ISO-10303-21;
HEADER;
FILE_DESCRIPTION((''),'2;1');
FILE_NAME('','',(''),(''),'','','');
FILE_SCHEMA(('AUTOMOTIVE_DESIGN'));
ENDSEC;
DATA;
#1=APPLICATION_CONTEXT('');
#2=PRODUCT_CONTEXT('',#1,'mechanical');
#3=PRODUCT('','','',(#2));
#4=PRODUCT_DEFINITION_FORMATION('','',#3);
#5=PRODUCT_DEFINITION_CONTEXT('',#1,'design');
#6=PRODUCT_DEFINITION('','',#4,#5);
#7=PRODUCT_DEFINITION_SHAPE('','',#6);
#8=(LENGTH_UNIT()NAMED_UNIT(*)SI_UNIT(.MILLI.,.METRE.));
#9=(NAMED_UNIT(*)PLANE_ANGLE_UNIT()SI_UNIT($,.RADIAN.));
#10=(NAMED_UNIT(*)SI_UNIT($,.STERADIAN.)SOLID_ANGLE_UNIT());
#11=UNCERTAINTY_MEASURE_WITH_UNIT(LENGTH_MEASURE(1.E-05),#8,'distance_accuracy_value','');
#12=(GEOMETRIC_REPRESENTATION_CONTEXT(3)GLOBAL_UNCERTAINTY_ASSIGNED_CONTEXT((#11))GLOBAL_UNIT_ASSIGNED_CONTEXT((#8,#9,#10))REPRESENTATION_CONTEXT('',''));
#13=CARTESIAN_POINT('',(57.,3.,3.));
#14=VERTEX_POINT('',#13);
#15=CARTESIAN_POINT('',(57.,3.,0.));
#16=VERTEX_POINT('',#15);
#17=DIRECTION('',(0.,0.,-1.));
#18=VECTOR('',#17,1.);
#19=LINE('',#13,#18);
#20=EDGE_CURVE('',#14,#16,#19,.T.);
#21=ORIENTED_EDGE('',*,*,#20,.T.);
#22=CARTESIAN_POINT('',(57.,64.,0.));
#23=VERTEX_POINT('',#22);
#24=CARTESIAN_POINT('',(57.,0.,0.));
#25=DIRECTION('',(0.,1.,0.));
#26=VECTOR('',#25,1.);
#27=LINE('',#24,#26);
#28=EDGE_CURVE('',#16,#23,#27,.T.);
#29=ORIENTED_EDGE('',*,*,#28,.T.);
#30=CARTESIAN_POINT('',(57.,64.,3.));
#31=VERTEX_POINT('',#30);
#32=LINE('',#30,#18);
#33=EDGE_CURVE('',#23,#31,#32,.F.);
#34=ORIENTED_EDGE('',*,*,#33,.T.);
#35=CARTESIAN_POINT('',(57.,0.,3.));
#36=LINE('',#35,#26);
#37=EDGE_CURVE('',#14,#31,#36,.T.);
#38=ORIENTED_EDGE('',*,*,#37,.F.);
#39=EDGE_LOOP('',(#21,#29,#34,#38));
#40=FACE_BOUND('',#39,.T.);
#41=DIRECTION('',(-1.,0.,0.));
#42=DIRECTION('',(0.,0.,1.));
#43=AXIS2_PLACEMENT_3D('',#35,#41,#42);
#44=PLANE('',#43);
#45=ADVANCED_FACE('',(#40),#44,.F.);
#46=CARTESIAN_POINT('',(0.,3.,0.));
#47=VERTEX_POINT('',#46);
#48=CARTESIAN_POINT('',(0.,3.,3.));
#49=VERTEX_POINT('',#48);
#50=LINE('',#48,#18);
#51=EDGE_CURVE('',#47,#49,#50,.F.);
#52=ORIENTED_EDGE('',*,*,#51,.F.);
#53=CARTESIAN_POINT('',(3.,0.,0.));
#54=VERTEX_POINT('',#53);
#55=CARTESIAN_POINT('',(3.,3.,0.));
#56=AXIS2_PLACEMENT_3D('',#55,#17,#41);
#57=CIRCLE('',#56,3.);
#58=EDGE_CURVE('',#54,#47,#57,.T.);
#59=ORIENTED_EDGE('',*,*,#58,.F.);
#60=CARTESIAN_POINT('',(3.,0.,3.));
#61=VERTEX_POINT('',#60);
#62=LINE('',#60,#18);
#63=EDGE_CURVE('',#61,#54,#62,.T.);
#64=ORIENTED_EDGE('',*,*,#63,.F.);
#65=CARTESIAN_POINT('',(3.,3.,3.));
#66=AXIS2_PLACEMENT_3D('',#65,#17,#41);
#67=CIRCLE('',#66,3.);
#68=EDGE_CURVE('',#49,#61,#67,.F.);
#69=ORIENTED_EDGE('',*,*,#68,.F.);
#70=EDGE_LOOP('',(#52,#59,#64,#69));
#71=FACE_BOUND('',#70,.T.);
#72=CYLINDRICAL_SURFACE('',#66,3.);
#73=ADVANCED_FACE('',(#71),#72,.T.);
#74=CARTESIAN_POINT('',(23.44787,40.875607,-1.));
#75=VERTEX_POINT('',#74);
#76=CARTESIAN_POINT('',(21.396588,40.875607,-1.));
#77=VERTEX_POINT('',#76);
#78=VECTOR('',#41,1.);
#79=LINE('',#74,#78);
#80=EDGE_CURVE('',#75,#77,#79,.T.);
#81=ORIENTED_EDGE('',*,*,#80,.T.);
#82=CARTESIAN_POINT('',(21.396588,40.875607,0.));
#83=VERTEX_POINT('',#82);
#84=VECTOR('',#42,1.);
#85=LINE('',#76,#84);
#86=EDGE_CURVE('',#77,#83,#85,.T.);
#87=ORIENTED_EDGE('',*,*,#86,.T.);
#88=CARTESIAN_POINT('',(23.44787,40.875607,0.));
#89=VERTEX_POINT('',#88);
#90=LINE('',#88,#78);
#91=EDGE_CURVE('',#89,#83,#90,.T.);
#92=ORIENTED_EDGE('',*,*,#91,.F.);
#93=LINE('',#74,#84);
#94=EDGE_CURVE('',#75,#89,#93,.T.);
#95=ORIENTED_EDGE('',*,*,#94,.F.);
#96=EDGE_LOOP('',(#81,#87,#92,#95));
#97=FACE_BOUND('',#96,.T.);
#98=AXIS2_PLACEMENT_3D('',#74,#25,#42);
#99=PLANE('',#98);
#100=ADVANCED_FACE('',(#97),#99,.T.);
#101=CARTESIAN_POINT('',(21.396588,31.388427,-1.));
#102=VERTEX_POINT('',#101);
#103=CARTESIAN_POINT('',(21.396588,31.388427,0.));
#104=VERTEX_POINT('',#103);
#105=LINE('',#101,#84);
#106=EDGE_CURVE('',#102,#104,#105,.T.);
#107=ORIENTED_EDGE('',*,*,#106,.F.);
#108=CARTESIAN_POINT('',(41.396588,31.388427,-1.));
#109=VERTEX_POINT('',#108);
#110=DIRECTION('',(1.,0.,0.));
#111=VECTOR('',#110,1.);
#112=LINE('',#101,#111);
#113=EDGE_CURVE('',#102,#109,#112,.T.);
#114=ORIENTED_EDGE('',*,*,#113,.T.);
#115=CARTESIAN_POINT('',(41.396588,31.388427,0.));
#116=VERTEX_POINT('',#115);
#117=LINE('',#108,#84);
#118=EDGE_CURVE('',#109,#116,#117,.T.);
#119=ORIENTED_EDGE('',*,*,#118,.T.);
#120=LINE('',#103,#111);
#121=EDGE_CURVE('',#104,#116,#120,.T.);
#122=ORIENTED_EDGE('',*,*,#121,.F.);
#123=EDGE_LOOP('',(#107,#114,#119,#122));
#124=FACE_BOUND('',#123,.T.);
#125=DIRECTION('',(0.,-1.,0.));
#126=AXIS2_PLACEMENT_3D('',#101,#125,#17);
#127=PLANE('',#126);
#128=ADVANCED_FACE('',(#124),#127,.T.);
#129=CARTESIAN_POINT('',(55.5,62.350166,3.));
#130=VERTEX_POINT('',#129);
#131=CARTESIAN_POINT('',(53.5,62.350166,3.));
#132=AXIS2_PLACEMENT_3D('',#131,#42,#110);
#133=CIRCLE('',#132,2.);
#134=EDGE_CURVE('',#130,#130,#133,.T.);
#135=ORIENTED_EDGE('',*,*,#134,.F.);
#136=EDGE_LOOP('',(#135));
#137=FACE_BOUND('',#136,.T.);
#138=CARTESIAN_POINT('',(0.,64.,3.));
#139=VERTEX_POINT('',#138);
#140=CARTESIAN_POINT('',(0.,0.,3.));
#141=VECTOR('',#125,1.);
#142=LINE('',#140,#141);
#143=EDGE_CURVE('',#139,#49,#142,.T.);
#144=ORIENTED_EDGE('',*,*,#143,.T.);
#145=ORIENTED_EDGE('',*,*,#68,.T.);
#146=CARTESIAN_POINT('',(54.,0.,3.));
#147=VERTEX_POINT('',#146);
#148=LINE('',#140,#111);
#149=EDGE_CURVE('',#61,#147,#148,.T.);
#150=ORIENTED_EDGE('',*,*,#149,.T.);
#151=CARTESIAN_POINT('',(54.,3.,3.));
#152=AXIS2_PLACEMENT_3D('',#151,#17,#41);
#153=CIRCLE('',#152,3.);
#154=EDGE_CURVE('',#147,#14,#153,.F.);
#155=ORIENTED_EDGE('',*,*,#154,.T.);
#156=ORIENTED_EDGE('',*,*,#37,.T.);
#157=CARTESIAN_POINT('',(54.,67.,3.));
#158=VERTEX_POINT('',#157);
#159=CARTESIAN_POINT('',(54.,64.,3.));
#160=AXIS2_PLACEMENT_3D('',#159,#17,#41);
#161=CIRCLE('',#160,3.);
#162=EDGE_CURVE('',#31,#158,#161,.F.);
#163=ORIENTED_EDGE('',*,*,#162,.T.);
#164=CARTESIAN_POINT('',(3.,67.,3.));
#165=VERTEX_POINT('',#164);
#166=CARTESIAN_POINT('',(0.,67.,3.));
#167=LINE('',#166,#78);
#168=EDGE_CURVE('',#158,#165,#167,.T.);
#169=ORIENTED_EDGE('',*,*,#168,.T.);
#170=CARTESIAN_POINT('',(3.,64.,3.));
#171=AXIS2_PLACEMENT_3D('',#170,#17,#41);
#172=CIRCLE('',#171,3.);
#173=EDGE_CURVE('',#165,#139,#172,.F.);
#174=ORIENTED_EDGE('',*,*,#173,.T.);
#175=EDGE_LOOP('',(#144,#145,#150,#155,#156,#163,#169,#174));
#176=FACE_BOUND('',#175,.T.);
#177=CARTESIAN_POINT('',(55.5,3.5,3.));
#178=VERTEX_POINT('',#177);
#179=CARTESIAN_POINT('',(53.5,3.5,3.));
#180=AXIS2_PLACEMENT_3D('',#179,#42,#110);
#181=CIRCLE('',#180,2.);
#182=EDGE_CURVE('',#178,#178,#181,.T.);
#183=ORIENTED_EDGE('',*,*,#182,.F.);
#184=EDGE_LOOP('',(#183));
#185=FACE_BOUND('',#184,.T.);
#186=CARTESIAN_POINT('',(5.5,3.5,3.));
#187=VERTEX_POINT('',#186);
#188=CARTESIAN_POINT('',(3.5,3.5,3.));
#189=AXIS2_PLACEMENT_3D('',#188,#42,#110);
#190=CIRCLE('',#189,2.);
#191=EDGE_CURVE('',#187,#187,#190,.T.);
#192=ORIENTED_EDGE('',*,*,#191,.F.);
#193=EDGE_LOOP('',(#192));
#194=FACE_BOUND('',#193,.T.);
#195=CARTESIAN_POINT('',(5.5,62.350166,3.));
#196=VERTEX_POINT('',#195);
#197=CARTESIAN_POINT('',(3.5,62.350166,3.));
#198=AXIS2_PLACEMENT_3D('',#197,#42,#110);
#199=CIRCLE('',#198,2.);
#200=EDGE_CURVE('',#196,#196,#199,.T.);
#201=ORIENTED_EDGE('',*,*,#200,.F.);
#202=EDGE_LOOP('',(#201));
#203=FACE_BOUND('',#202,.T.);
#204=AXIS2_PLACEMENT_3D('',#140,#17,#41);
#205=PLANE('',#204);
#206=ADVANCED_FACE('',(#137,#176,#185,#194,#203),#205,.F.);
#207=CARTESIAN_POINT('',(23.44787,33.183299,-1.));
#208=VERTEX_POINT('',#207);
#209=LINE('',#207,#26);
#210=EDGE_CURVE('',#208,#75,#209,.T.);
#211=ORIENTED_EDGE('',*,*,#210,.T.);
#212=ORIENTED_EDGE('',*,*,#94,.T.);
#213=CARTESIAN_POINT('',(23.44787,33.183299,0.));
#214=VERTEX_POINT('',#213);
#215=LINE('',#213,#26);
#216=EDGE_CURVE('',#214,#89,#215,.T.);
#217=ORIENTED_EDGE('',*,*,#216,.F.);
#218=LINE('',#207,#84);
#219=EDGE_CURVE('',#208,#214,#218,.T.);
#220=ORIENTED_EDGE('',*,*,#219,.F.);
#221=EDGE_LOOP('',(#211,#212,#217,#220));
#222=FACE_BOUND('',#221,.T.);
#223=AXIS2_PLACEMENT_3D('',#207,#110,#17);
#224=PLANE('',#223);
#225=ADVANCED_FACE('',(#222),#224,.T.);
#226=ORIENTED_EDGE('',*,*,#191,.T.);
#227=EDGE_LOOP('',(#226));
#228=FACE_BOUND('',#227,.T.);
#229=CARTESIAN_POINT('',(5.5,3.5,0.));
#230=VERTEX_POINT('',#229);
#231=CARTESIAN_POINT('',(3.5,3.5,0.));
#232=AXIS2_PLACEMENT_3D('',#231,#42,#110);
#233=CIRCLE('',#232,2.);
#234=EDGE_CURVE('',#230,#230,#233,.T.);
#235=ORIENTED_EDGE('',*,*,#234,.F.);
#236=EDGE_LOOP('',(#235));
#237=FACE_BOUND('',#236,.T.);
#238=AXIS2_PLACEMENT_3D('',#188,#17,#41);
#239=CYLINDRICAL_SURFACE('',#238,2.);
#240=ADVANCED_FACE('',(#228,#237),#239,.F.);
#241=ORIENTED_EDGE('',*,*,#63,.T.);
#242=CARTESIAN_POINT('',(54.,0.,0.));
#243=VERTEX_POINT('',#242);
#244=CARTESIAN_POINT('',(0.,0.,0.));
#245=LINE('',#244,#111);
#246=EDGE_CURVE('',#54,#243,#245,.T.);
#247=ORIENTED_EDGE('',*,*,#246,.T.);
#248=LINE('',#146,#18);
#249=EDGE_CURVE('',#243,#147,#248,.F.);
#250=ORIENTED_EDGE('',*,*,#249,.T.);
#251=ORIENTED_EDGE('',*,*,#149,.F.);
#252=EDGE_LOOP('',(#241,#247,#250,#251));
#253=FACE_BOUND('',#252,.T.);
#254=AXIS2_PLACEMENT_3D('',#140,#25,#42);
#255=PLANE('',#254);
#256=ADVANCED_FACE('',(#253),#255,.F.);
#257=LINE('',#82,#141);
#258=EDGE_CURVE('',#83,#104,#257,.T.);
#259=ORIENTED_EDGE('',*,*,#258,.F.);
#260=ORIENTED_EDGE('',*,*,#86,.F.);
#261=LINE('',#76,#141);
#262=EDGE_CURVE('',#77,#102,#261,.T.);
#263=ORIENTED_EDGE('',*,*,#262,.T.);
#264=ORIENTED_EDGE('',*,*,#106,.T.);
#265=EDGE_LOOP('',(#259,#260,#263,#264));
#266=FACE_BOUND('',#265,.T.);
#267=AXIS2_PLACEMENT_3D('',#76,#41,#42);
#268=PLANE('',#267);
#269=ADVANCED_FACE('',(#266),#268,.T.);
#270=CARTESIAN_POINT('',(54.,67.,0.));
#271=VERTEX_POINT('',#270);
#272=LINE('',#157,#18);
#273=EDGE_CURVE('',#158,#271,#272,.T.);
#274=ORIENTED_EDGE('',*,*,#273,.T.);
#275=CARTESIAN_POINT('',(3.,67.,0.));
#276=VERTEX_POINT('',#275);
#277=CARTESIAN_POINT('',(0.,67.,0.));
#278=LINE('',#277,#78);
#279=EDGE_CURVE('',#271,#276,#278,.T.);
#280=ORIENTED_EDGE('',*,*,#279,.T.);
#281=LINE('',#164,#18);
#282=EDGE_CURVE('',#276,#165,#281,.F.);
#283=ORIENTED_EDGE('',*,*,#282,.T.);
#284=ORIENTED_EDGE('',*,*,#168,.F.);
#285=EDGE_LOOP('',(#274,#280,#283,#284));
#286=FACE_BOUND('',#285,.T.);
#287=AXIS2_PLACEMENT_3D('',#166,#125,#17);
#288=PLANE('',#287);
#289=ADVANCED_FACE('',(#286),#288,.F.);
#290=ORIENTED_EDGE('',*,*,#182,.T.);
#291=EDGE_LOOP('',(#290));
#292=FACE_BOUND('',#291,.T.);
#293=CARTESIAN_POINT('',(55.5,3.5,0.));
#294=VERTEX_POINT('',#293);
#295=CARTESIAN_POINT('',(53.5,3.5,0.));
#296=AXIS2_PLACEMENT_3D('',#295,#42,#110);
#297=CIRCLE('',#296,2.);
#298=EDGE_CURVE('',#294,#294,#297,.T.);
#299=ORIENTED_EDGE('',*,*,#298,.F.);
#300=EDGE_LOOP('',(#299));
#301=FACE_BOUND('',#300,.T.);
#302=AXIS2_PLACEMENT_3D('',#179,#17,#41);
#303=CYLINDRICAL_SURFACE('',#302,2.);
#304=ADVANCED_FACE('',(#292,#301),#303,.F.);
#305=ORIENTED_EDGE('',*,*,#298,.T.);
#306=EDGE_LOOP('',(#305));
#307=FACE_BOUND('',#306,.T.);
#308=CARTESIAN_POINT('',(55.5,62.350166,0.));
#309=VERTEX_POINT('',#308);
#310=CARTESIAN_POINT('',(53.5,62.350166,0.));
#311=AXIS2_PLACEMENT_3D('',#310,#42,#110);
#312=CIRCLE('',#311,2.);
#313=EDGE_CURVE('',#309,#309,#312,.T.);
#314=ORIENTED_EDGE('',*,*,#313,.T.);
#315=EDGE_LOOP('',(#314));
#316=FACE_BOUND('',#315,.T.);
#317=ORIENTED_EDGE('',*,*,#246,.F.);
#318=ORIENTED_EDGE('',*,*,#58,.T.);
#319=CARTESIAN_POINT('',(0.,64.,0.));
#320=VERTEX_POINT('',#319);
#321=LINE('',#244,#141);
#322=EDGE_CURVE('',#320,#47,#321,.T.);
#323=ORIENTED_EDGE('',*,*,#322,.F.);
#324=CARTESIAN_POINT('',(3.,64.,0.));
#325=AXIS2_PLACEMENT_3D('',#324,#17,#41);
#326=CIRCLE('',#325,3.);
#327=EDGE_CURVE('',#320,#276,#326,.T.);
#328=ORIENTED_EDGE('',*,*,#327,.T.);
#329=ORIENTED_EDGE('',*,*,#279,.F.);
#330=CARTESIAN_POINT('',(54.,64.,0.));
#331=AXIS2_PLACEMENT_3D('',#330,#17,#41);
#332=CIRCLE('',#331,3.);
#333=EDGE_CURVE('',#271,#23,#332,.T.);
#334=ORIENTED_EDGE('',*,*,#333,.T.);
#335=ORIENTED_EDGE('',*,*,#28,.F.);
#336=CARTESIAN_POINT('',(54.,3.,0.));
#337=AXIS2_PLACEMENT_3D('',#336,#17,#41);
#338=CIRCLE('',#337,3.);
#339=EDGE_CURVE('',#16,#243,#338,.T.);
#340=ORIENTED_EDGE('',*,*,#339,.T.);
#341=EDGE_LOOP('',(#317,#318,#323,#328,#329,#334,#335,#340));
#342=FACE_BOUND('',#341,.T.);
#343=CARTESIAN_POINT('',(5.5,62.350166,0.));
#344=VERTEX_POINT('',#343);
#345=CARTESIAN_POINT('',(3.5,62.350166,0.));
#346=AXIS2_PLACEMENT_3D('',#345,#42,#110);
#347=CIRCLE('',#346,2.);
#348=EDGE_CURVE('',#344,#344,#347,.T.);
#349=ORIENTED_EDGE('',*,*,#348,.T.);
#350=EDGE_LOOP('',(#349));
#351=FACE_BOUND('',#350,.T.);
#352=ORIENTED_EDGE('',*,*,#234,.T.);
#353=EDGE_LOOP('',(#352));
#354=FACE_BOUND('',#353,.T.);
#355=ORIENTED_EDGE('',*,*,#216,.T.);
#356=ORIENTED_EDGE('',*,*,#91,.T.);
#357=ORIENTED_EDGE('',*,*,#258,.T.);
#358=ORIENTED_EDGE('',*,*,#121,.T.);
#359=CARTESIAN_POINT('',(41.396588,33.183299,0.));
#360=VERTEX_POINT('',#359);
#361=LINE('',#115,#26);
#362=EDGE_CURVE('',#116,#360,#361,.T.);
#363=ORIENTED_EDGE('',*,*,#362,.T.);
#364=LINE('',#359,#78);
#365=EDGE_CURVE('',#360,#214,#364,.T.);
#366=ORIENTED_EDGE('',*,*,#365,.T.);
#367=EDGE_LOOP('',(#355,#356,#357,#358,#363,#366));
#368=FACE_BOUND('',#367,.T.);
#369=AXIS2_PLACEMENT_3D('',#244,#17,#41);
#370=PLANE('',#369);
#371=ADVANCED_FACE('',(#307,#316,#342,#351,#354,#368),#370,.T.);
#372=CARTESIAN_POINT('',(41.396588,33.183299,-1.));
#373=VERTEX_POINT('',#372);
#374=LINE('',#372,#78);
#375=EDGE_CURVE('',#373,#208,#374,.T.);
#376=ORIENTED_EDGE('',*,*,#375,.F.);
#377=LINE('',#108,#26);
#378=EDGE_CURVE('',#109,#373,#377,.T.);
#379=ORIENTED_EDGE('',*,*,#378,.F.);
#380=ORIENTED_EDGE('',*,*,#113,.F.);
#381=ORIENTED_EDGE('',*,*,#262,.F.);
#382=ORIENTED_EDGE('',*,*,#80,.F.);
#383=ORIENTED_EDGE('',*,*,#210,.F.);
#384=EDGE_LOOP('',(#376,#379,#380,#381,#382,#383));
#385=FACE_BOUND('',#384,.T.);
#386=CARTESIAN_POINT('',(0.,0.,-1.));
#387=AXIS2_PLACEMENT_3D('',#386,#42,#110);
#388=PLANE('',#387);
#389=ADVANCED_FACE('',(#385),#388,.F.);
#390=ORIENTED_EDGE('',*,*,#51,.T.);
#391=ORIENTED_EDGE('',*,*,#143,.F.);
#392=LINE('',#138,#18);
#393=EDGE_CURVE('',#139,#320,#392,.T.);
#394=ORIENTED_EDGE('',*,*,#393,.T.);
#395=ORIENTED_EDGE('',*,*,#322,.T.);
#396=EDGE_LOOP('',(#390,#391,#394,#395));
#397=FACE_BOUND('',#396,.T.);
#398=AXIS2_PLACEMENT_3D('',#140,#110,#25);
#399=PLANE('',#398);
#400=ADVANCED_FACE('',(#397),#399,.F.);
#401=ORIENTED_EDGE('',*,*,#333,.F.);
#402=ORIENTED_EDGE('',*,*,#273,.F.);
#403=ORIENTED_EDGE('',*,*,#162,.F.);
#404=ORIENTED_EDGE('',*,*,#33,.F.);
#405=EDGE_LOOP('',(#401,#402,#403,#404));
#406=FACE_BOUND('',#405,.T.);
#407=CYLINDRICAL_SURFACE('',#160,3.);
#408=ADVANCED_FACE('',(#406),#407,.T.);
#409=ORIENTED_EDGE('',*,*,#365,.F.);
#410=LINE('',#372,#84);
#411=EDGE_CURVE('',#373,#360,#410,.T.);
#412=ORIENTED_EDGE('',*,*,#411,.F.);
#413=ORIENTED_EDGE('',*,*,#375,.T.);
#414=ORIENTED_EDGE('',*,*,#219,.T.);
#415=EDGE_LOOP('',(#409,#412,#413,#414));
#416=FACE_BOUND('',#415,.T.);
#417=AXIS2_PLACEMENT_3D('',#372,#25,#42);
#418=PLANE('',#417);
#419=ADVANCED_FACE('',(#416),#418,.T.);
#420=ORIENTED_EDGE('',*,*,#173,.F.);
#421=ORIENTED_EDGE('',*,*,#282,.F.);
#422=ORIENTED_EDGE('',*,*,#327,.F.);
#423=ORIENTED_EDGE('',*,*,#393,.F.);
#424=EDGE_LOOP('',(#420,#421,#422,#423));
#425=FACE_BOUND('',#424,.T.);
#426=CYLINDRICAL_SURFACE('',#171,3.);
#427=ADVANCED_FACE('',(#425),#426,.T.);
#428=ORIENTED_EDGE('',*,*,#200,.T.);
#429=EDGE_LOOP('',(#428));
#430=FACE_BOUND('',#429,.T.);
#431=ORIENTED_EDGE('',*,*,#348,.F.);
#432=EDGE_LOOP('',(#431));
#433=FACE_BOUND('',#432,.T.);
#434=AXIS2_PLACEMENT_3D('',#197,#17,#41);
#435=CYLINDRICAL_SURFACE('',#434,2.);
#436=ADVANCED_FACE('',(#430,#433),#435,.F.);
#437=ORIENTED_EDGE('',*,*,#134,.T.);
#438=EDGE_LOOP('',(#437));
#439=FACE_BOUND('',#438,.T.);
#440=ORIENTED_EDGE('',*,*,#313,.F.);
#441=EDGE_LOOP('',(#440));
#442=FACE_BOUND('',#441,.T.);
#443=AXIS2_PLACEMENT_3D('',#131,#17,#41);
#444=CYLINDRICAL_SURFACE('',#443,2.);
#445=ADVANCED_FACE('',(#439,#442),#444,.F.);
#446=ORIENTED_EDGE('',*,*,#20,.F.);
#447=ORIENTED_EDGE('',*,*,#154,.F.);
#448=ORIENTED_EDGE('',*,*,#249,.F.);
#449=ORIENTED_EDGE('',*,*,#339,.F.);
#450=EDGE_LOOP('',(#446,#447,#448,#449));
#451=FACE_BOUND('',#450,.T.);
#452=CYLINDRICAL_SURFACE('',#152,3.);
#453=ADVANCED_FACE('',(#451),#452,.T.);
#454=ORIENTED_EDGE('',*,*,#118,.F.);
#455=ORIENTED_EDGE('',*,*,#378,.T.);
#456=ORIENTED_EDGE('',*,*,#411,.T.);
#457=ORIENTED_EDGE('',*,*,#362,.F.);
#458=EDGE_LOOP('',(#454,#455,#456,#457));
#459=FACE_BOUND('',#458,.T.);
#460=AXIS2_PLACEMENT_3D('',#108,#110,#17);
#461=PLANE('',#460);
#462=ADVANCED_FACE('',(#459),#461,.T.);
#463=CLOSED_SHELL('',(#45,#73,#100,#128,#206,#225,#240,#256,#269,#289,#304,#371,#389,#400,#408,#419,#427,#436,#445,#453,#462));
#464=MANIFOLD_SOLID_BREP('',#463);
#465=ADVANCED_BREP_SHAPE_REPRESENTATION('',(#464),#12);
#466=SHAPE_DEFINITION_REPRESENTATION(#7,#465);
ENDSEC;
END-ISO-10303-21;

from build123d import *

# Parameters (mm, degrees)
SKICA1_W                = 57
SKICA1_H                = 67
SKICA1_R                = 2
P_IDAT_VYSUNUT_M1_DEPTH = 3
P_IDAT_VYSUNUT_M2_DEPTH = 1
ZAOBLIT1_R              = 3


with BuildPart() as part:
    # Skica1 → Přidat vysunutím1 (new body)
    with BuildSketch(Plane.XY):
        with Locations((28.5, 33.5)):
            Rectangle(SKICA1_W, SKICA1_H)
        with Locations((3.5, 62.35016579)):
            Circle(SKICA1_R, mode=Mode.SUBTRACT)
        with Locations((53.5, 62.35016579)):
            Circle(SKICA1_R, mode=Mode.SUBTRACT)
        with Locations((53.5, 3.5)):
            Circle(SKICA1_R, mode=Mode.SUBTRACT)
        with Locations((3.5, 3.5)):
            Circle(SKICA1_R, mode=Mode.SUBTRACT)
    extrude(amount=P_IDAT_VYSUNUT_M1_DEPTH)

    # Skica2 → Přidat vysunutím2 (add)
    with BuildSketch(Plane(origin=(0, 0, 0), x_dir=(-1, 0, 0), z_dir=(0, 0, -1))):
        Polygon((-41.396588298, 31.388427372), (-41.396588298, 33.183299167), (-23.447870349, 33.183299167), (-23.447870349, 40.87560686), (-21.396588298, 40.87560686), (-21.396588298, 31.388427372), align=None)
    extrude(amount=P_IDAT_VYSUNUT_M2_DEPTH)

    # Zaoblit1
    zaoblit1_edges = [part.edges().sort_by_distance(p)[0] for p in [
        (0, 67, 1.5),
        (57, 67, 1.5),
        (57, 0, 1.5),
        (0, 0, 1.5),
    ]]
    fillet(zaoblit1_edges, radius=ZAOBLIT1_R)


solid = part.part
